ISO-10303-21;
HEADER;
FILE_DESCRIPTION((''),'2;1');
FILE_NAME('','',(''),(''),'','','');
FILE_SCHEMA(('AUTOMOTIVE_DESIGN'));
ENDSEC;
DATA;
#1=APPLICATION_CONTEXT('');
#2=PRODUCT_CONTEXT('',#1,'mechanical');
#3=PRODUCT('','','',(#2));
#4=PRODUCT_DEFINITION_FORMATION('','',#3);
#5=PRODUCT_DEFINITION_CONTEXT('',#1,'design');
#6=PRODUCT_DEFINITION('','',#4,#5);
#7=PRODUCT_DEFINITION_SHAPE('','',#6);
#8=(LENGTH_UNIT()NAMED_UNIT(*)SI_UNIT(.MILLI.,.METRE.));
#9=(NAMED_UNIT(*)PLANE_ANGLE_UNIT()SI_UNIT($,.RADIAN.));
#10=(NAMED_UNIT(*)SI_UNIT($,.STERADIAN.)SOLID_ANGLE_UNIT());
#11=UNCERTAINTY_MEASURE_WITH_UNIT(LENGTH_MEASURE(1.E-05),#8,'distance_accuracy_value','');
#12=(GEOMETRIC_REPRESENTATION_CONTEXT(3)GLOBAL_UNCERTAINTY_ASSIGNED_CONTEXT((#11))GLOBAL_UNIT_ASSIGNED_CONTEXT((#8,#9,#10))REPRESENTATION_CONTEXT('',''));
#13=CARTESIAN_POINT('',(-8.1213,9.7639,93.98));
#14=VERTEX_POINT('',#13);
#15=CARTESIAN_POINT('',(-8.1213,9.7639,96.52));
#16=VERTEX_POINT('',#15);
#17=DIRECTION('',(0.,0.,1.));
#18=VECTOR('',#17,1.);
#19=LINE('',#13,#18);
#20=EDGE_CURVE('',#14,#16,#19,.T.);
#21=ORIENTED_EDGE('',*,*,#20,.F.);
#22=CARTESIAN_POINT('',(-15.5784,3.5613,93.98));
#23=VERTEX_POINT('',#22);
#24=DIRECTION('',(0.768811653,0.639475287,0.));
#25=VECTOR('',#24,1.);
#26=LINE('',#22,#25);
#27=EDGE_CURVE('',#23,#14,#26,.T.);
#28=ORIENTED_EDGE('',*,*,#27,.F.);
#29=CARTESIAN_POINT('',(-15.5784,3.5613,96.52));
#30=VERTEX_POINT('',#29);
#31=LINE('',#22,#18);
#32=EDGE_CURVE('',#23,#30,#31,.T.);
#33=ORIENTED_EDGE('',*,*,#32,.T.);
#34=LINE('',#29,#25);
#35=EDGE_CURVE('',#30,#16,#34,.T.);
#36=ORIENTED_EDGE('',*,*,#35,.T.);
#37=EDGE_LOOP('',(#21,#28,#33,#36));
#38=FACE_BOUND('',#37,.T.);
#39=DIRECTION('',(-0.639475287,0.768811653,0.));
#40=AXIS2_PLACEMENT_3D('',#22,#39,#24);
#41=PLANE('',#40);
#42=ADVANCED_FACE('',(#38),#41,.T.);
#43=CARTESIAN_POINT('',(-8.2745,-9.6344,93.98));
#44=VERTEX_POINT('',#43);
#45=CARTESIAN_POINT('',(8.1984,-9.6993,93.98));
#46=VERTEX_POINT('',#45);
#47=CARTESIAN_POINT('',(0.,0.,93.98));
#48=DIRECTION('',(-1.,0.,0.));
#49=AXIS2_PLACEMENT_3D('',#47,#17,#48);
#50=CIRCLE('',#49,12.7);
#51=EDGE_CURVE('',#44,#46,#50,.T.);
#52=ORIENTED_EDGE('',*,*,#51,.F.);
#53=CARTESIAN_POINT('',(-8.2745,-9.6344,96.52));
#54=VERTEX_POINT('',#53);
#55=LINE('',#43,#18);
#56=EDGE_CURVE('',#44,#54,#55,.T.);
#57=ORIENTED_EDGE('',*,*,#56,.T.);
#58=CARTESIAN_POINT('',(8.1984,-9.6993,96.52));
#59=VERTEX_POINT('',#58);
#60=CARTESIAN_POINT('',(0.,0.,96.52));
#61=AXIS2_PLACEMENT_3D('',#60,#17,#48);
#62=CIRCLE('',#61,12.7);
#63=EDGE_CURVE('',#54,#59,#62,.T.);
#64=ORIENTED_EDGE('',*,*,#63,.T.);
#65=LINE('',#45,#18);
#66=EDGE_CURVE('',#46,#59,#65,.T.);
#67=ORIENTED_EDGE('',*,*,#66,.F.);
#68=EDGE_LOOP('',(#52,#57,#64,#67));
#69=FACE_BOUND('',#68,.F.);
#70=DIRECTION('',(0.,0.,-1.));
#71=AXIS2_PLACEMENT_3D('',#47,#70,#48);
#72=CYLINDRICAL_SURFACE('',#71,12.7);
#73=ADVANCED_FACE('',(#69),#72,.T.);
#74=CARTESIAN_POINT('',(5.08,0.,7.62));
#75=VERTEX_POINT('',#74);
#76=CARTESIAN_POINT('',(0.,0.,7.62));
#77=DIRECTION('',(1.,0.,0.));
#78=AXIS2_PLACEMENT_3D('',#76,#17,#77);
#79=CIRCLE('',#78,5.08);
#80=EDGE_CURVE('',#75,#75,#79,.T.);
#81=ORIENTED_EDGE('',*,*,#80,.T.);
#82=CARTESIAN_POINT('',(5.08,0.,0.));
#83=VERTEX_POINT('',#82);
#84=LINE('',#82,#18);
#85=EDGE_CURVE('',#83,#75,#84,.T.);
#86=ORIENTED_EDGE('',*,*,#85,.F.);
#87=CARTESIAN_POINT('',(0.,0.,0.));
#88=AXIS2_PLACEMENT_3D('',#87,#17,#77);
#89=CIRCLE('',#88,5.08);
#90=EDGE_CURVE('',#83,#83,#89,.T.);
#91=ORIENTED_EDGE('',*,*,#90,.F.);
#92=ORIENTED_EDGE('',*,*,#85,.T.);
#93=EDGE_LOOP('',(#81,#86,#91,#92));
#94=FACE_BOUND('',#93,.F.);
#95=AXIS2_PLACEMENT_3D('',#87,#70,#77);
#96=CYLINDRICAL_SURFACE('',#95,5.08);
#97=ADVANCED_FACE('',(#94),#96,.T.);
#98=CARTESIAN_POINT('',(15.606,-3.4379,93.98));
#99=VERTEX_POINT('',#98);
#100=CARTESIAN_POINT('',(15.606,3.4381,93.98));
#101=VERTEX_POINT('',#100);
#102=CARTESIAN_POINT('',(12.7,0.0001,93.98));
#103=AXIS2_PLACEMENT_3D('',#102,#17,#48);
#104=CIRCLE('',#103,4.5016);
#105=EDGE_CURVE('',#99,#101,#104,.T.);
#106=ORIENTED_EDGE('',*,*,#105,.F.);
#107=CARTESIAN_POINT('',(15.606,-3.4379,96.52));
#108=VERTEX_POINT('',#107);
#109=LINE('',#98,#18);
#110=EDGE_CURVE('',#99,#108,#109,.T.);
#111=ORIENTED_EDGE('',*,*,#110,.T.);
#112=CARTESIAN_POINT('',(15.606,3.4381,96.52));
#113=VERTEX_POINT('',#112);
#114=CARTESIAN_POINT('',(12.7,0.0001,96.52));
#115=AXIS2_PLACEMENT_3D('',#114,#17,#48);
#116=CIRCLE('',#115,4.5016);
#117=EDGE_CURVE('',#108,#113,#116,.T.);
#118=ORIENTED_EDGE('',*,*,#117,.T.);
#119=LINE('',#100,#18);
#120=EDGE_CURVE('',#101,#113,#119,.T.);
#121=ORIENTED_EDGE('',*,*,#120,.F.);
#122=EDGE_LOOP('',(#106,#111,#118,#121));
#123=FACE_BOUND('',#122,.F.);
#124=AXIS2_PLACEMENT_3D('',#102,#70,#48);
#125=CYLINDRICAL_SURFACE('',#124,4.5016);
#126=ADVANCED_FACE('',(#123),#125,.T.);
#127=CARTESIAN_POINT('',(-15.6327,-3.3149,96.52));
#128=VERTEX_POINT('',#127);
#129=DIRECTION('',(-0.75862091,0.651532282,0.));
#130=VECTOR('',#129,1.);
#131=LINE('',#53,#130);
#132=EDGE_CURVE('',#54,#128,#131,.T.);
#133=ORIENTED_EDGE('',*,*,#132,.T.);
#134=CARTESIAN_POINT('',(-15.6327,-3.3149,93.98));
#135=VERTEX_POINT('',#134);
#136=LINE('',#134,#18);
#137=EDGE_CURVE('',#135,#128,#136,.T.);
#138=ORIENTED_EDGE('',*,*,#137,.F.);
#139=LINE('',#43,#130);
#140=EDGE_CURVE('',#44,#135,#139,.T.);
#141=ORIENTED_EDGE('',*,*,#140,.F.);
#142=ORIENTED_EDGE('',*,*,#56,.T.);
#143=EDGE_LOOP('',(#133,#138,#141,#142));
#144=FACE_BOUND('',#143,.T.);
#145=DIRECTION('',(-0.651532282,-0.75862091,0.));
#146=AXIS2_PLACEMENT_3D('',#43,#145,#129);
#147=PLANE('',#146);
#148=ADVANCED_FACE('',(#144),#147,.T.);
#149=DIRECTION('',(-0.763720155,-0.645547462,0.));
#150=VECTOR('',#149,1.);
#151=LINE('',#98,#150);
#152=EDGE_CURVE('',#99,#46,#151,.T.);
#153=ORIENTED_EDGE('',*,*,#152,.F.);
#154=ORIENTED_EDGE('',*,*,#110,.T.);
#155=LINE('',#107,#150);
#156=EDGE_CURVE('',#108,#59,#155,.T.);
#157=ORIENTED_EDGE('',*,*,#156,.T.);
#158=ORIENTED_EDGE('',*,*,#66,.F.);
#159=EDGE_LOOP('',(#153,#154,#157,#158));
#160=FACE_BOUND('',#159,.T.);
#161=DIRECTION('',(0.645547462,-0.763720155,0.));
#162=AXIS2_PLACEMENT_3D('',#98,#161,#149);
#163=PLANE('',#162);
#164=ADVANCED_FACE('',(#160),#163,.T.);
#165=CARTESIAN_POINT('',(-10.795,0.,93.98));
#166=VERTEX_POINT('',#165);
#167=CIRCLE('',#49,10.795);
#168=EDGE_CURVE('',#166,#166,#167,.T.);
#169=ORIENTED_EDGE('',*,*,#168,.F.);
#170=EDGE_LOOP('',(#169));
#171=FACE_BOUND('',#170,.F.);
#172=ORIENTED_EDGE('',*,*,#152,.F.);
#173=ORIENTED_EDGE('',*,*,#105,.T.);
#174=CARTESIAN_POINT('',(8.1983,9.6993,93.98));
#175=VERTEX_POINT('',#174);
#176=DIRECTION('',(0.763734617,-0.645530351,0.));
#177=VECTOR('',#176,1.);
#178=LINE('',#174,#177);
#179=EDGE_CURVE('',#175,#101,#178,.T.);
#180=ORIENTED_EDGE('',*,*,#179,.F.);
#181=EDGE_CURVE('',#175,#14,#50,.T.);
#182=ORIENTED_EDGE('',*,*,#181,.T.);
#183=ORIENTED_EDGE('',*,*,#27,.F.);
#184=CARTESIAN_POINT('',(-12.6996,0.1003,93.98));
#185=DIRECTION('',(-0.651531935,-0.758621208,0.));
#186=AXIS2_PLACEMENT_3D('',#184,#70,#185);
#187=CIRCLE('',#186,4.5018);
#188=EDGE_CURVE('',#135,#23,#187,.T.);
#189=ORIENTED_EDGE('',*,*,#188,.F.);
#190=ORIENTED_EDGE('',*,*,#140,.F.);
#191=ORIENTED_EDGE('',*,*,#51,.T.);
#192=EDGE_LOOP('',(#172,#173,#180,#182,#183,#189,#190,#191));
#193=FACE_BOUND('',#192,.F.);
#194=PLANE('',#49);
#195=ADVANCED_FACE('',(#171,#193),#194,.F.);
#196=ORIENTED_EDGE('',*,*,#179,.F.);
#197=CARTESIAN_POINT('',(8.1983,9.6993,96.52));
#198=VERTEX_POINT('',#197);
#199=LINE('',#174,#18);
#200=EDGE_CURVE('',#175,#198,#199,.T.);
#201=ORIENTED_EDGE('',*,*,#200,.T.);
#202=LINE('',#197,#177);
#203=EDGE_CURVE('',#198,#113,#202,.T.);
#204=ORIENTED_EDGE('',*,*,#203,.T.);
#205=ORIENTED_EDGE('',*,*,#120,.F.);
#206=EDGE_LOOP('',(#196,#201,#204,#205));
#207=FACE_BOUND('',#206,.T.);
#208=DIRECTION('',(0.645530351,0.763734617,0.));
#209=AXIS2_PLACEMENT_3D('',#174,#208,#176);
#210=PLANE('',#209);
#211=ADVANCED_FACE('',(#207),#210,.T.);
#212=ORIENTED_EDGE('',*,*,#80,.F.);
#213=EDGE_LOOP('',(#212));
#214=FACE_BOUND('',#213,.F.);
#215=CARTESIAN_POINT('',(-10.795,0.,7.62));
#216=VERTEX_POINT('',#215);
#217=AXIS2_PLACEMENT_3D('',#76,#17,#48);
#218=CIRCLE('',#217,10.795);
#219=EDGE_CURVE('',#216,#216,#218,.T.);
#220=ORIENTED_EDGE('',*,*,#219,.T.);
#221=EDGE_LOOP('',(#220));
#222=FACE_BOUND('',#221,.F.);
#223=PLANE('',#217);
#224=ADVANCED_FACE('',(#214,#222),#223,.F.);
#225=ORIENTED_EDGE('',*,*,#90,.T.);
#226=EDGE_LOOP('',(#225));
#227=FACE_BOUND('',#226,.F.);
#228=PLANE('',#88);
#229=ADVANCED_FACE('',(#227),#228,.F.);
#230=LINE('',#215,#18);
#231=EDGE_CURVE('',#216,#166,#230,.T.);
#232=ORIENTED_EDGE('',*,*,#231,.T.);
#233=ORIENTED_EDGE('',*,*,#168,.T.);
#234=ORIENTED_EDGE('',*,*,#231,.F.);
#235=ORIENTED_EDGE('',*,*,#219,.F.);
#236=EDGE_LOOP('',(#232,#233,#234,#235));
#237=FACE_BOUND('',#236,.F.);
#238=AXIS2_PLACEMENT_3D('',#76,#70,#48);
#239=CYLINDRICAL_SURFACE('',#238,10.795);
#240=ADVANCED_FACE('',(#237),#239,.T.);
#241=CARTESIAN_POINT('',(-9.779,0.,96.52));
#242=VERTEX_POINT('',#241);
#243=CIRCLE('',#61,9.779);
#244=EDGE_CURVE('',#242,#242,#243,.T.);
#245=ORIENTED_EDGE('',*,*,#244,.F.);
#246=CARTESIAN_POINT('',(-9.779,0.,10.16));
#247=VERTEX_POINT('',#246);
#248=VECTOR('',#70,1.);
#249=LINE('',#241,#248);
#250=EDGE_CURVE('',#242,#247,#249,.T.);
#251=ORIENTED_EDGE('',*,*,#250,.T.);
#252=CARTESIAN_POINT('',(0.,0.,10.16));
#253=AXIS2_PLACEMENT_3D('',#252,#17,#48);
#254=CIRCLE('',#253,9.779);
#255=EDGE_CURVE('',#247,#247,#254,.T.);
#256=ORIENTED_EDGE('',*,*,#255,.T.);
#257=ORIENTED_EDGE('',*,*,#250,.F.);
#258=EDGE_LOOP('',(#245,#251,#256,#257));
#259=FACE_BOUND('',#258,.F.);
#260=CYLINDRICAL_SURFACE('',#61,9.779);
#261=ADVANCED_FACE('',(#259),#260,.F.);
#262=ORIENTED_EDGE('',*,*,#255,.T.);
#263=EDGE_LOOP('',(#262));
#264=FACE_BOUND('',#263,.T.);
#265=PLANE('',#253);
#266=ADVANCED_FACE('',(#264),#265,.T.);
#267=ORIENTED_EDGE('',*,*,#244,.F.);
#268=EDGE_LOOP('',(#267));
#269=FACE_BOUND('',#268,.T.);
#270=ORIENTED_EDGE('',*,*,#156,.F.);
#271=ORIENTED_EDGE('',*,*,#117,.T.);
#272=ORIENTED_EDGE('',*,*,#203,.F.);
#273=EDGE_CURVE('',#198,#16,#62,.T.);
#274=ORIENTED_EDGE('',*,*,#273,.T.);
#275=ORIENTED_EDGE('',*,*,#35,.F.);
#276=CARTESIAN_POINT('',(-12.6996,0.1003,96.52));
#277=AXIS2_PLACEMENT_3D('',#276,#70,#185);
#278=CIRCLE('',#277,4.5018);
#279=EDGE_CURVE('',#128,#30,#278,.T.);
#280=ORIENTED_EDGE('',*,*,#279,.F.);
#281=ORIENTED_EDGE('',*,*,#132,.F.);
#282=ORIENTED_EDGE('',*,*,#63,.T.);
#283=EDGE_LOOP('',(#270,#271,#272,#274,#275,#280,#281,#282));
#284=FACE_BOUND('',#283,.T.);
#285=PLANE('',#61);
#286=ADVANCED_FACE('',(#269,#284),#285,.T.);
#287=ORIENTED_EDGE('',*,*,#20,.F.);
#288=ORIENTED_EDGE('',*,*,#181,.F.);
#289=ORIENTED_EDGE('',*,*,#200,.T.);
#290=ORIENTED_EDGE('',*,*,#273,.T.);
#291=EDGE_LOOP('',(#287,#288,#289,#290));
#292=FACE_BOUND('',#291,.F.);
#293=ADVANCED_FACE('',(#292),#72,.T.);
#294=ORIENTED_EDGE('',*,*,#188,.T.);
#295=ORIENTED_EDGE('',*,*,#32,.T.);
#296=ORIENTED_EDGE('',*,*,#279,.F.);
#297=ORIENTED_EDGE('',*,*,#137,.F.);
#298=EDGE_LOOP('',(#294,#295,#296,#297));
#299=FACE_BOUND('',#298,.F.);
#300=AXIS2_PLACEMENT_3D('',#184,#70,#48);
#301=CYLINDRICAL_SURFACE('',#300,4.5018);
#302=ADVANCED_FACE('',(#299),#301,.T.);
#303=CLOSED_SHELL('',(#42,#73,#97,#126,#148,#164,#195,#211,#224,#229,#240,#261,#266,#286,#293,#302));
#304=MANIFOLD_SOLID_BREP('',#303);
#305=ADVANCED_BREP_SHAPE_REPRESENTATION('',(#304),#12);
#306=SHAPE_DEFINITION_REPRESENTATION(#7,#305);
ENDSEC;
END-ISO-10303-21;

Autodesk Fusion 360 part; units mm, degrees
sketch "Sketch3" plane through (0, 0, 0) normal (0, 0, 1) x (1, 0, 0)
  circle A0 centre (0, 0) radius 5.08
  dimension "d5" = 10.16
extrude "Extrude2" add sketch "Sketch3" along normal blind 7.62
sketch "Sketch4" plane through (0, 0, 7.62) normal (0, 0, 1) x (-1, 0, 0)
  circle A0 centre (0, 0) radius 5.08
  circle A1 centre (0, 0) radius 10.795
  dimension "d8" = 21.59
extrude "Extrude3" add sketch "Sketch4" along normal blind 86.36 contours A0 | A1
sketch "Sketch7" plane through (0, 0, 93.98) normal (0, 0, 1) x (-1, 0, 0)
  circle A0 centre (0, 0) radius 10.795
  circle A1 centre (0, 0) radius 12.7
  circle A2 centre (-12.7, -0.0001) radius 4.5016
  circle A3 centre (12.6996, -0.1003) radius 4.5018
  line L0 (15.5784, -3.5613) -> (8.1213, -9.7639)
  line L1 (-8.1983, -9.6993) -> (-15.606, -3.4381)
  line L2 (-15.606, 3.4379) -> (-8.1984, 9.6993)
  line L3 (8.2745, 9.6344) -> (15.6327, 3.3149)
  circle A4 centre (0, 0) radius 12.7
  dimension "d14" = 25.4
extrude "Extrude4" add sketch "Sketch7" along normal blind 2.54
sketch "Sketch8" plane through (0, 0, 96.52) normal (0, 0, 1) x (-1, 0, 0)
  arc A0 (-15.606, 3.4379) -> (-15.606, -3.4381) centre (-12.7, -0.0001) ccw
  line L0 (-15.606, -3.4381) -> (-8.1983, -9.6993)
  arc A1 (-8.1983, -9.6993) -> (8.1213, -9.7639) centre (0, 0) ccw
  line L1 (8.1213, -9.7639) -> (15.5784, -3.5613)
  arc A2 (15.5784, -3.5613) -> (15.6327, 3.3149) centre (12.6996, -0.1003) ccw
  line L2 (15.6327, 3.3149) -> (8.2745, 9.6344)
  arc A3 (8.2745, 9.6344) -> (-8.1984, 9.6993) centre (0, 0) ccw
  line L3 (-8.1984, 9.6993) -> (-15.606, 3.4379)
  circle A4 centre (0, 0) radius 9.779
  dimension "d15" = 19.558
extrude "Extrude5" cut sketch "Sketch8" against normal blind 86.36 contours A4
